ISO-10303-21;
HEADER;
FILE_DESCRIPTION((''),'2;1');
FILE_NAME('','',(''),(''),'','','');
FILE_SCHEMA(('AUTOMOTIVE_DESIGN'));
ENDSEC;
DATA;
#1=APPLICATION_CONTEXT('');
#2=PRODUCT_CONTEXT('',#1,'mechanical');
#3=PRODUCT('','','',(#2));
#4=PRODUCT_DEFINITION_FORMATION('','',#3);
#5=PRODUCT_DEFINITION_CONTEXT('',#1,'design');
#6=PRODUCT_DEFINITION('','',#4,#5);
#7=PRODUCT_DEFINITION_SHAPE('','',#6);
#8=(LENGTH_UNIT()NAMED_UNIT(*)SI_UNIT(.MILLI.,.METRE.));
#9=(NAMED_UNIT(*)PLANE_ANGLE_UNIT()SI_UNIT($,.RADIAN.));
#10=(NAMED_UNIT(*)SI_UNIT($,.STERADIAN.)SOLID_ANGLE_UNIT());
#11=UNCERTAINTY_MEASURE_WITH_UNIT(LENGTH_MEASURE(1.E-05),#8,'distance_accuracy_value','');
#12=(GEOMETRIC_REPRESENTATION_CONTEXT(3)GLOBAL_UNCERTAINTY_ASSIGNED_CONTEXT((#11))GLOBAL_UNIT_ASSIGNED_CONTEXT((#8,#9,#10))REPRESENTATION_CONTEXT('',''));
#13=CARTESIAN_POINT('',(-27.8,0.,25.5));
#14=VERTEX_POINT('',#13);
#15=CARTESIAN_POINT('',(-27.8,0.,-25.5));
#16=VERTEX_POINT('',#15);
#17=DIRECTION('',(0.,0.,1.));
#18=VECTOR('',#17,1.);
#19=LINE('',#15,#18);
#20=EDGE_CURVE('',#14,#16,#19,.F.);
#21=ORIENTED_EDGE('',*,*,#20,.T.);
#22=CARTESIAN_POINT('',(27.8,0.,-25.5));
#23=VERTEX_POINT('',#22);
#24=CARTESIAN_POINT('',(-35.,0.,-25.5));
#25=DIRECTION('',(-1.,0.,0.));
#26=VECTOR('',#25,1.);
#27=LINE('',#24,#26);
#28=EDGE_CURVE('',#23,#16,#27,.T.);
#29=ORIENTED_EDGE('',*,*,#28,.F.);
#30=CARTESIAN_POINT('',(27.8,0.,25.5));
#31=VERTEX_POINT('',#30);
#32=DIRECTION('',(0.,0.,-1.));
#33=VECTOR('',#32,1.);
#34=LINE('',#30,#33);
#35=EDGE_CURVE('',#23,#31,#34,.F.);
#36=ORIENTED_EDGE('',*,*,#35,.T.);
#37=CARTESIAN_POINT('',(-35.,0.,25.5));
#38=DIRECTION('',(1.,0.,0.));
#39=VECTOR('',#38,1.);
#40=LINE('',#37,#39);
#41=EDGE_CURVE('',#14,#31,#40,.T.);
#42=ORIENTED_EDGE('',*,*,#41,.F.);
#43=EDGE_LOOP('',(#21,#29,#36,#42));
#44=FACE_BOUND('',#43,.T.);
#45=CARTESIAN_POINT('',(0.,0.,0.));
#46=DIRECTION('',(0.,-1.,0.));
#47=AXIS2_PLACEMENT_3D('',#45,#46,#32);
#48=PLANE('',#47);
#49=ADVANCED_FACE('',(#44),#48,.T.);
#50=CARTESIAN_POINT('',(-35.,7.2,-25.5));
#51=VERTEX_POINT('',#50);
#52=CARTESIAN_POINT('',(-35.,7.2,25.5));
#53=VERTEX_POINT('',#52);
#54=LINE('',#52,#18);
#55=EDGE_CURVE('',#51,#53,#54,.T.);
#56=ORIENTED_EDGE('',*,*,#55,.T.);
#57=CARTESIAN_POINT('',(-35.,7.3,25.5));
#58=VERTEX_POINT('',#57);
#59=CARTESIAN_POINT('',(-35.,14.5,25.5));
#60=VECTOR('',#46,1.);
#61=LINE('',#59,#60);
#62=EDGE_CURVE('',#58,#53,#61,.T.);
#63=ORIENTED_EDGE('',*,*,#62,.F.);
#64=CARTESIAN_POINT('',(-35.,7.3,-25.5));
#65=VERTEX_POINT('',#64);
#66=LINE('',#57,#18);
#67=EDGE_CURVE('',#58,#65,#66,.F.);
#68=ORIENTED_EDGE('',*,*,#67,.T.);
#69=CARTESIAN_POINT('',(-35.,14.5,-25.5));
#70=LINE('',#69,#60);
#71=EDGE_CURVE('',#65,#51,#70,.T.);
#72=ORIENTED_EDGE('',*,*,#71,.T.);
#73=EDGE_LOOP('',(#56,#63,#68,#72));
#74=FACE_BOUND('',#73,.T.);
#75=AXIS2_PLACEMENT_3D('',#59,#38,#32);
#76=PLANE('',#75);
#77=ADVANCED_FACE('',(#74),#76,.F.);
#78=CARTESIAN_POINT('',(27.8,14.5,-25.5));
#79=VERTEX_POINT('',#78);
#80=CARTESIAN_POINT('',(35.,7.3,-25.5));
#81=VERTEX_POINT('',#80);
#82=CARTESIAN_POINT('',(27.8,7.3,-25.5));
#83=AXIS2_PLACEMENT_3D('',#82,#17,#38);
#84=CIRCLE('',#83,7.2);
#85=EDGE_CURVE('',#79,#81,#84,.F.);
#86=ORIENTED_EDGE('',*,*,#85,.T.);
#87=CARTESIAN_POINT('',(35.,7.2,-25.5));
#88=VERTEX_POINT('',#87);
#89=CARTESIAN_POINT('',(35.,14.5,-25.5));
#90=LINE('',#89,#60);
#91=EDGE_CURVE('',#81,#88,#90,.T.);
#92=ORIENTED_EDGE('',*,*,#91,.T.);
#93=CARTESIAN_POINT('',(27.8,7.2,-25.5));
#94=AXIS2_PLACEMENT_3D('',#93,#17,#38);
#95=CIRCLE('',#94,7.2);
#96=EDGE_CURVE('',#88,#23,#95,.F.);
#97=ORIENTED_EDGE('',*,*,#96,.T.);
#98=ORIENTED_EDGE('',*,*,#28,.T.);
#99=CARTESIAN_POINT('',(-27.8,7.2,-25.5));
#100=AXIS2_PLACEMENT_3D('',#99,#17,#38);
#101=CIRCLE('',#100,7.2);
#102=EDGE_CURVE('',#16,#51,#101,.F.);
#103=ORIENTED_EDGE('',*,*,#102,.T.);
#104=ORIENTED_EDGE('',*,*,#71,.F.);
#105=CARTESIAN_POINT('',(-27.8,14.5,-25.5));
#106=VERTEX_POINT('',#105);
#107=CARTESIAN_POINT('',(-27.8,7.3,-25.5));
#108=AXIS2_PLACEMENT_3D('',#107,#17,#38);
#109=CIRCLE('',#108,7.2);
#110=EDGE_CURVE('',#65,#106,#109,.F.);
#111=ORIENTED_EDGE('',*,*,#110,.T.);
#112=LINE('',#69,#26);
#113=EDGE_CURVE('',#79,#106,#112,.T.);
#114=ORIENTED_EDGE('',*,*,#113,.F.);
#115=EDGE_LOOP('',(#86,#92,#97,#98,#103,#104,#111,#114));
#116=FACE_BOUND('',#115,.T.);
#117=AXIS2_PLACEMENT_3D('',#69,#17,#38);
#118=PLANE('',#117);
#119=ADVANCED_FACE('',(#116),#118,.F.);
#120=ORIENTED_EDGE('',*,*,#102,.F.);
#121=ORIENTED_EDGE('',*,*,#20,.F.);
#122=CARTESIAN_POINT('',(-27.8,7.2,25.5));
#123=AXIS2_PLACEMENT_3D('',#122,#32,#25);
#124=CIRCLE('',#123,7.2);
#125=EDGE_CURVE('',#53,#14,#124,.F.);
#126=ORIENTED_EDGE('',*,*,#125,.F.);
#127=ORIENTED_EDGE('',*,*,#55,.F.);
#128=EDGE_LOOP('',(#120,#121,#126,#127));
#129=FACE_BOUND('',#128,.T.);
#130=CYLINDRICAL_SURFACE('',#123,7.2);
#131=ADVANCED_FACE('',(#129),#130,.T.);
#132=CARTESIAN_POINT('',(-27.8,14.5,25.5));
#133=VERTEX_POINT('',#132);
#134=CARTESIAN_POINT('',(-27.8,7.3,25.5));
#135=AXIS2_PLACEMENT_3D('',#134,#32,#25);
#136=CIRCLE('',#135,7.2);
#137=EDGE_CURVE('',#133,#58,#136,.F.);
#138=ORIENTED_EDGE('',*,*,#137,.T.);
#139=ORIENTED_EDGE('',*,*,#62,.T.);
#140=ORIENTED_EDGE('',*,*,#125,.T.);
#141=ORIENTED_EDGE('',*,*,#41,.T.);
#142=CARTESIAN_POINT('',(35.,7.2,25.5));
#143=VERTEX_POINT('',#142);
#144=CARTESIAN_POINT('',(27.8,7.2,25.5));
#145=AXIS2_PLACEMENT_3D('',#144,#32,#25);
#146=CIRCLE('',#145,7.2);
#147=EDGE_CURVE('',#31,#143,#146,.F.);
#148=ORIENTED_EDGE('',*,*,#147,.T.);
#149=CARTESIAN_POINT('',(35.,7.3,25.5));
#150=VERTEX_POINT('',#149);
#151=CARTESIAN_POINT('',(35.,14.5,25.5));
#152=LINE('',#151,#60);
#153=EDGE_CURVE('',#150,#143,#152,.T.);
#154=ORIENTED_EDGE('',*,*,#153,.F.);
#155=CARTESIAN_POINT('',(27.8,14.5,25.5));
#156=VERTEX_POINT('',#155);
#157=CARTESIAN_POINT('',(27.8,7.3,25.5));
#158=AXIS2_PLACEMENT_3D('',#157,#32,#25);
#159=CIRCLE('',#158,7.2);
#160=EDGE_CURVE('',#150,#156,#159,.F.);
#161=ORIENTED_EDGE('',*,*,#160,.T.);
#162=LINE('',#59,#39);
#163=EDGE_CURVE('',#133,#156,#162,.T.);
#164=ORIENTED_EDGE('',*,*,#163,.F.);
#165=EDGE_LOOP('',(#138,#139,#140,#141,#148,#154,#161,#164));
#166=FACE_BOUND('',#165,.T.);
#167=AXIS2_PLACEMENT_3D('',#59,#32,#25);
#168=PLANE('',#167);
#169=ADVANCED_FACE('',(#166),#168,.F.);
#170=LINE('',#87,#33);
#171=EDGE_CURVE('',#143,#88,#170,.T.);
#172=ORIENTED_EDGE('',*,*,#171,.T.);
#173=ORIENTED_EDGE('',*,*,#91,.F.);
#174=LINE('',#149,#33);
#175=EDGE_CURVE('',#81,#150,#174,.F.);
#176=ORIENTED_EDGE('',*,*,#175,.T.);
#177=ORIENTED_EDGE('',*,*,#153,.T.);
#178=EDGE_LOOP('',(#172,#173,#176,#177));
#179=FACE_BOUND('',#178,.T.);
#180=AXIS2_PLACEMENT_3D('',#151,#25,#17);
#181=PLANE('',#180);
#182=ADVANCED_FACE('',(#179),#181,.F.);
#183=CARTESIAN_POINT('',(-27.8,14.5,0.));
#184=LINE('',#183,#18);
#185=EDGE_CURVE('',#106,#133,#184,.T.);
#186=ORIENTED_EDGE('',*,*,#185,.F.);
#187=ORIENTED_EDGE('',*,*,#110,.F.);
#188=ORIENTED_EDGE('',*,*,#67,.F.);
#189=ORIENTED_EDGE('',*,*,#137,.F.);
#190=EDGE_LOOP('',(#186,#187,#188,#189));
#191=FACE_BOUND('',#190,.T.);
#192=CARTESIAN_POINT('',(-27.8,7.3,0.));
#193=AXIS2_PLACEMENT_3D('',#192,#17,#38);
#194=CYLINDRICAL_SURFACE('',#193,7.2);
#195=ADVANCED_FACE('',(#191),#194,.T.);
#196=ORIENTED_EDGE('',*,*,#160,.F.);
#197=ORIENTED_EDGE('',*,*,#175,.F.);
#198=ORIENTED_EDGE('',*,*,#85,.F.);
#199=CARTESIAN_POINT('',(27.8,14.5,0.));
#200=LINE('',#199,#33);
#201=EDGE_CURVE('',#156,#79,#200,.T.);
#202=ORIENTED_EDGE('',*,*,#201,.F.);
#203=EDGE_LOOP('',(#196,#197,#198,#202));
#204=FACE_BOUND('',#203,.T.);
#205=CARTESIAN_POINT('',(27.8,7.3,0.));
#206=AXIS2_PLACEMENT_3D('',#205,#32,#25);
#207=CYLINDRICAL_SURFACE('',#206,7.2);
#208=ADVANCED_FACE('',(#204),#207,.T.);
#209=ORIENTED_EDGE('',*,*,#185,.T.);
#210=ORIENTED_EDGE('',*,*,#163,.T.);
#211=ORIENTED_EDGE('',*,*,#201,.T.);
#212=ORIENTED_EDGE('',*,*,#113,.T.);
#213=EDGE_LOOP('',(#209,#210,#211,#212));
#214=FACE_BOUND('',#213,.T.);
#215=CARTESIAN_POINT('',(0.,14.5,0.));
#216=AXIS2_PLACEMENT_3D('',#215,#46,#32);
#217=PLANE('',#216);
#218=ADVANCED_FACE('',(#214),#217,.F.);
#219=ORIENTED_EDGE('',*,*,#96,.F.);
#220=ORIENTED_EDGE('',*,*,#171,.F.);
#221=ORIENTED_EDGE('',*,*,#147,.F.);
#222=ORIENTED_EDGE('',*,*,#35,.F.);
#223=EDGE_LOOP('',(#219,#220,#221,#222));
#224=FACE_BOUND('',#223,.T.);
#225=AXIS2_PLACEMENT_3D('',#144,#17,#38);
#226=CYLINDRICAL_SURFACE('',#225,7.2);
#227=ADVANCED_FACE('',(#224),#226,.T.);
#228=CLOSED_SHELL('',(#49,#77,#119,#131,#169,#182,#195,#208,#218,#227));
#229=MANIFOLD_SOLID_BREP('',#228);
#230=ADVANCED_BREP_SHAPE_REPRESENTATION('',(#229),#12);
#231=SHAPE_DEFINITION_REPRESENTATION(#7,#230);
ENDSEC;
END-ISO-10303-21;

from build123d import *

# Parameters (mm, degrees)
SKETCH1_W           = 70
SKETCH1_H           = 51
BOSS_EXTRUDE1_DEPTH = 14.5
FILLET1_R           = 7.2


with BuildPart() as part:
    # Sketch1 → Boss-Extrude1 (new body)
    with BuildSketch(Plane(origin=(0, 0, 0), x_dir=(1, 0, 0), z_dir=(0, 1, 0))):
        Rectangle(SKETCH1_W, SKETCH1_H)
    extrude(amount=BOSS_EXTRUDE1_DEPTH)

    # Fillet1
    fillet1_edges = [part.edges().sort_by_distance(p)[0] for p in [
        (-35, 14.5, 0),
        (35, 14.5, 0),
        (-35, 0, 0),
        (35, 0, 0),
    ]]
    fillet(fillet1_edges, radius=FILLET1_R)


solid = part.part
